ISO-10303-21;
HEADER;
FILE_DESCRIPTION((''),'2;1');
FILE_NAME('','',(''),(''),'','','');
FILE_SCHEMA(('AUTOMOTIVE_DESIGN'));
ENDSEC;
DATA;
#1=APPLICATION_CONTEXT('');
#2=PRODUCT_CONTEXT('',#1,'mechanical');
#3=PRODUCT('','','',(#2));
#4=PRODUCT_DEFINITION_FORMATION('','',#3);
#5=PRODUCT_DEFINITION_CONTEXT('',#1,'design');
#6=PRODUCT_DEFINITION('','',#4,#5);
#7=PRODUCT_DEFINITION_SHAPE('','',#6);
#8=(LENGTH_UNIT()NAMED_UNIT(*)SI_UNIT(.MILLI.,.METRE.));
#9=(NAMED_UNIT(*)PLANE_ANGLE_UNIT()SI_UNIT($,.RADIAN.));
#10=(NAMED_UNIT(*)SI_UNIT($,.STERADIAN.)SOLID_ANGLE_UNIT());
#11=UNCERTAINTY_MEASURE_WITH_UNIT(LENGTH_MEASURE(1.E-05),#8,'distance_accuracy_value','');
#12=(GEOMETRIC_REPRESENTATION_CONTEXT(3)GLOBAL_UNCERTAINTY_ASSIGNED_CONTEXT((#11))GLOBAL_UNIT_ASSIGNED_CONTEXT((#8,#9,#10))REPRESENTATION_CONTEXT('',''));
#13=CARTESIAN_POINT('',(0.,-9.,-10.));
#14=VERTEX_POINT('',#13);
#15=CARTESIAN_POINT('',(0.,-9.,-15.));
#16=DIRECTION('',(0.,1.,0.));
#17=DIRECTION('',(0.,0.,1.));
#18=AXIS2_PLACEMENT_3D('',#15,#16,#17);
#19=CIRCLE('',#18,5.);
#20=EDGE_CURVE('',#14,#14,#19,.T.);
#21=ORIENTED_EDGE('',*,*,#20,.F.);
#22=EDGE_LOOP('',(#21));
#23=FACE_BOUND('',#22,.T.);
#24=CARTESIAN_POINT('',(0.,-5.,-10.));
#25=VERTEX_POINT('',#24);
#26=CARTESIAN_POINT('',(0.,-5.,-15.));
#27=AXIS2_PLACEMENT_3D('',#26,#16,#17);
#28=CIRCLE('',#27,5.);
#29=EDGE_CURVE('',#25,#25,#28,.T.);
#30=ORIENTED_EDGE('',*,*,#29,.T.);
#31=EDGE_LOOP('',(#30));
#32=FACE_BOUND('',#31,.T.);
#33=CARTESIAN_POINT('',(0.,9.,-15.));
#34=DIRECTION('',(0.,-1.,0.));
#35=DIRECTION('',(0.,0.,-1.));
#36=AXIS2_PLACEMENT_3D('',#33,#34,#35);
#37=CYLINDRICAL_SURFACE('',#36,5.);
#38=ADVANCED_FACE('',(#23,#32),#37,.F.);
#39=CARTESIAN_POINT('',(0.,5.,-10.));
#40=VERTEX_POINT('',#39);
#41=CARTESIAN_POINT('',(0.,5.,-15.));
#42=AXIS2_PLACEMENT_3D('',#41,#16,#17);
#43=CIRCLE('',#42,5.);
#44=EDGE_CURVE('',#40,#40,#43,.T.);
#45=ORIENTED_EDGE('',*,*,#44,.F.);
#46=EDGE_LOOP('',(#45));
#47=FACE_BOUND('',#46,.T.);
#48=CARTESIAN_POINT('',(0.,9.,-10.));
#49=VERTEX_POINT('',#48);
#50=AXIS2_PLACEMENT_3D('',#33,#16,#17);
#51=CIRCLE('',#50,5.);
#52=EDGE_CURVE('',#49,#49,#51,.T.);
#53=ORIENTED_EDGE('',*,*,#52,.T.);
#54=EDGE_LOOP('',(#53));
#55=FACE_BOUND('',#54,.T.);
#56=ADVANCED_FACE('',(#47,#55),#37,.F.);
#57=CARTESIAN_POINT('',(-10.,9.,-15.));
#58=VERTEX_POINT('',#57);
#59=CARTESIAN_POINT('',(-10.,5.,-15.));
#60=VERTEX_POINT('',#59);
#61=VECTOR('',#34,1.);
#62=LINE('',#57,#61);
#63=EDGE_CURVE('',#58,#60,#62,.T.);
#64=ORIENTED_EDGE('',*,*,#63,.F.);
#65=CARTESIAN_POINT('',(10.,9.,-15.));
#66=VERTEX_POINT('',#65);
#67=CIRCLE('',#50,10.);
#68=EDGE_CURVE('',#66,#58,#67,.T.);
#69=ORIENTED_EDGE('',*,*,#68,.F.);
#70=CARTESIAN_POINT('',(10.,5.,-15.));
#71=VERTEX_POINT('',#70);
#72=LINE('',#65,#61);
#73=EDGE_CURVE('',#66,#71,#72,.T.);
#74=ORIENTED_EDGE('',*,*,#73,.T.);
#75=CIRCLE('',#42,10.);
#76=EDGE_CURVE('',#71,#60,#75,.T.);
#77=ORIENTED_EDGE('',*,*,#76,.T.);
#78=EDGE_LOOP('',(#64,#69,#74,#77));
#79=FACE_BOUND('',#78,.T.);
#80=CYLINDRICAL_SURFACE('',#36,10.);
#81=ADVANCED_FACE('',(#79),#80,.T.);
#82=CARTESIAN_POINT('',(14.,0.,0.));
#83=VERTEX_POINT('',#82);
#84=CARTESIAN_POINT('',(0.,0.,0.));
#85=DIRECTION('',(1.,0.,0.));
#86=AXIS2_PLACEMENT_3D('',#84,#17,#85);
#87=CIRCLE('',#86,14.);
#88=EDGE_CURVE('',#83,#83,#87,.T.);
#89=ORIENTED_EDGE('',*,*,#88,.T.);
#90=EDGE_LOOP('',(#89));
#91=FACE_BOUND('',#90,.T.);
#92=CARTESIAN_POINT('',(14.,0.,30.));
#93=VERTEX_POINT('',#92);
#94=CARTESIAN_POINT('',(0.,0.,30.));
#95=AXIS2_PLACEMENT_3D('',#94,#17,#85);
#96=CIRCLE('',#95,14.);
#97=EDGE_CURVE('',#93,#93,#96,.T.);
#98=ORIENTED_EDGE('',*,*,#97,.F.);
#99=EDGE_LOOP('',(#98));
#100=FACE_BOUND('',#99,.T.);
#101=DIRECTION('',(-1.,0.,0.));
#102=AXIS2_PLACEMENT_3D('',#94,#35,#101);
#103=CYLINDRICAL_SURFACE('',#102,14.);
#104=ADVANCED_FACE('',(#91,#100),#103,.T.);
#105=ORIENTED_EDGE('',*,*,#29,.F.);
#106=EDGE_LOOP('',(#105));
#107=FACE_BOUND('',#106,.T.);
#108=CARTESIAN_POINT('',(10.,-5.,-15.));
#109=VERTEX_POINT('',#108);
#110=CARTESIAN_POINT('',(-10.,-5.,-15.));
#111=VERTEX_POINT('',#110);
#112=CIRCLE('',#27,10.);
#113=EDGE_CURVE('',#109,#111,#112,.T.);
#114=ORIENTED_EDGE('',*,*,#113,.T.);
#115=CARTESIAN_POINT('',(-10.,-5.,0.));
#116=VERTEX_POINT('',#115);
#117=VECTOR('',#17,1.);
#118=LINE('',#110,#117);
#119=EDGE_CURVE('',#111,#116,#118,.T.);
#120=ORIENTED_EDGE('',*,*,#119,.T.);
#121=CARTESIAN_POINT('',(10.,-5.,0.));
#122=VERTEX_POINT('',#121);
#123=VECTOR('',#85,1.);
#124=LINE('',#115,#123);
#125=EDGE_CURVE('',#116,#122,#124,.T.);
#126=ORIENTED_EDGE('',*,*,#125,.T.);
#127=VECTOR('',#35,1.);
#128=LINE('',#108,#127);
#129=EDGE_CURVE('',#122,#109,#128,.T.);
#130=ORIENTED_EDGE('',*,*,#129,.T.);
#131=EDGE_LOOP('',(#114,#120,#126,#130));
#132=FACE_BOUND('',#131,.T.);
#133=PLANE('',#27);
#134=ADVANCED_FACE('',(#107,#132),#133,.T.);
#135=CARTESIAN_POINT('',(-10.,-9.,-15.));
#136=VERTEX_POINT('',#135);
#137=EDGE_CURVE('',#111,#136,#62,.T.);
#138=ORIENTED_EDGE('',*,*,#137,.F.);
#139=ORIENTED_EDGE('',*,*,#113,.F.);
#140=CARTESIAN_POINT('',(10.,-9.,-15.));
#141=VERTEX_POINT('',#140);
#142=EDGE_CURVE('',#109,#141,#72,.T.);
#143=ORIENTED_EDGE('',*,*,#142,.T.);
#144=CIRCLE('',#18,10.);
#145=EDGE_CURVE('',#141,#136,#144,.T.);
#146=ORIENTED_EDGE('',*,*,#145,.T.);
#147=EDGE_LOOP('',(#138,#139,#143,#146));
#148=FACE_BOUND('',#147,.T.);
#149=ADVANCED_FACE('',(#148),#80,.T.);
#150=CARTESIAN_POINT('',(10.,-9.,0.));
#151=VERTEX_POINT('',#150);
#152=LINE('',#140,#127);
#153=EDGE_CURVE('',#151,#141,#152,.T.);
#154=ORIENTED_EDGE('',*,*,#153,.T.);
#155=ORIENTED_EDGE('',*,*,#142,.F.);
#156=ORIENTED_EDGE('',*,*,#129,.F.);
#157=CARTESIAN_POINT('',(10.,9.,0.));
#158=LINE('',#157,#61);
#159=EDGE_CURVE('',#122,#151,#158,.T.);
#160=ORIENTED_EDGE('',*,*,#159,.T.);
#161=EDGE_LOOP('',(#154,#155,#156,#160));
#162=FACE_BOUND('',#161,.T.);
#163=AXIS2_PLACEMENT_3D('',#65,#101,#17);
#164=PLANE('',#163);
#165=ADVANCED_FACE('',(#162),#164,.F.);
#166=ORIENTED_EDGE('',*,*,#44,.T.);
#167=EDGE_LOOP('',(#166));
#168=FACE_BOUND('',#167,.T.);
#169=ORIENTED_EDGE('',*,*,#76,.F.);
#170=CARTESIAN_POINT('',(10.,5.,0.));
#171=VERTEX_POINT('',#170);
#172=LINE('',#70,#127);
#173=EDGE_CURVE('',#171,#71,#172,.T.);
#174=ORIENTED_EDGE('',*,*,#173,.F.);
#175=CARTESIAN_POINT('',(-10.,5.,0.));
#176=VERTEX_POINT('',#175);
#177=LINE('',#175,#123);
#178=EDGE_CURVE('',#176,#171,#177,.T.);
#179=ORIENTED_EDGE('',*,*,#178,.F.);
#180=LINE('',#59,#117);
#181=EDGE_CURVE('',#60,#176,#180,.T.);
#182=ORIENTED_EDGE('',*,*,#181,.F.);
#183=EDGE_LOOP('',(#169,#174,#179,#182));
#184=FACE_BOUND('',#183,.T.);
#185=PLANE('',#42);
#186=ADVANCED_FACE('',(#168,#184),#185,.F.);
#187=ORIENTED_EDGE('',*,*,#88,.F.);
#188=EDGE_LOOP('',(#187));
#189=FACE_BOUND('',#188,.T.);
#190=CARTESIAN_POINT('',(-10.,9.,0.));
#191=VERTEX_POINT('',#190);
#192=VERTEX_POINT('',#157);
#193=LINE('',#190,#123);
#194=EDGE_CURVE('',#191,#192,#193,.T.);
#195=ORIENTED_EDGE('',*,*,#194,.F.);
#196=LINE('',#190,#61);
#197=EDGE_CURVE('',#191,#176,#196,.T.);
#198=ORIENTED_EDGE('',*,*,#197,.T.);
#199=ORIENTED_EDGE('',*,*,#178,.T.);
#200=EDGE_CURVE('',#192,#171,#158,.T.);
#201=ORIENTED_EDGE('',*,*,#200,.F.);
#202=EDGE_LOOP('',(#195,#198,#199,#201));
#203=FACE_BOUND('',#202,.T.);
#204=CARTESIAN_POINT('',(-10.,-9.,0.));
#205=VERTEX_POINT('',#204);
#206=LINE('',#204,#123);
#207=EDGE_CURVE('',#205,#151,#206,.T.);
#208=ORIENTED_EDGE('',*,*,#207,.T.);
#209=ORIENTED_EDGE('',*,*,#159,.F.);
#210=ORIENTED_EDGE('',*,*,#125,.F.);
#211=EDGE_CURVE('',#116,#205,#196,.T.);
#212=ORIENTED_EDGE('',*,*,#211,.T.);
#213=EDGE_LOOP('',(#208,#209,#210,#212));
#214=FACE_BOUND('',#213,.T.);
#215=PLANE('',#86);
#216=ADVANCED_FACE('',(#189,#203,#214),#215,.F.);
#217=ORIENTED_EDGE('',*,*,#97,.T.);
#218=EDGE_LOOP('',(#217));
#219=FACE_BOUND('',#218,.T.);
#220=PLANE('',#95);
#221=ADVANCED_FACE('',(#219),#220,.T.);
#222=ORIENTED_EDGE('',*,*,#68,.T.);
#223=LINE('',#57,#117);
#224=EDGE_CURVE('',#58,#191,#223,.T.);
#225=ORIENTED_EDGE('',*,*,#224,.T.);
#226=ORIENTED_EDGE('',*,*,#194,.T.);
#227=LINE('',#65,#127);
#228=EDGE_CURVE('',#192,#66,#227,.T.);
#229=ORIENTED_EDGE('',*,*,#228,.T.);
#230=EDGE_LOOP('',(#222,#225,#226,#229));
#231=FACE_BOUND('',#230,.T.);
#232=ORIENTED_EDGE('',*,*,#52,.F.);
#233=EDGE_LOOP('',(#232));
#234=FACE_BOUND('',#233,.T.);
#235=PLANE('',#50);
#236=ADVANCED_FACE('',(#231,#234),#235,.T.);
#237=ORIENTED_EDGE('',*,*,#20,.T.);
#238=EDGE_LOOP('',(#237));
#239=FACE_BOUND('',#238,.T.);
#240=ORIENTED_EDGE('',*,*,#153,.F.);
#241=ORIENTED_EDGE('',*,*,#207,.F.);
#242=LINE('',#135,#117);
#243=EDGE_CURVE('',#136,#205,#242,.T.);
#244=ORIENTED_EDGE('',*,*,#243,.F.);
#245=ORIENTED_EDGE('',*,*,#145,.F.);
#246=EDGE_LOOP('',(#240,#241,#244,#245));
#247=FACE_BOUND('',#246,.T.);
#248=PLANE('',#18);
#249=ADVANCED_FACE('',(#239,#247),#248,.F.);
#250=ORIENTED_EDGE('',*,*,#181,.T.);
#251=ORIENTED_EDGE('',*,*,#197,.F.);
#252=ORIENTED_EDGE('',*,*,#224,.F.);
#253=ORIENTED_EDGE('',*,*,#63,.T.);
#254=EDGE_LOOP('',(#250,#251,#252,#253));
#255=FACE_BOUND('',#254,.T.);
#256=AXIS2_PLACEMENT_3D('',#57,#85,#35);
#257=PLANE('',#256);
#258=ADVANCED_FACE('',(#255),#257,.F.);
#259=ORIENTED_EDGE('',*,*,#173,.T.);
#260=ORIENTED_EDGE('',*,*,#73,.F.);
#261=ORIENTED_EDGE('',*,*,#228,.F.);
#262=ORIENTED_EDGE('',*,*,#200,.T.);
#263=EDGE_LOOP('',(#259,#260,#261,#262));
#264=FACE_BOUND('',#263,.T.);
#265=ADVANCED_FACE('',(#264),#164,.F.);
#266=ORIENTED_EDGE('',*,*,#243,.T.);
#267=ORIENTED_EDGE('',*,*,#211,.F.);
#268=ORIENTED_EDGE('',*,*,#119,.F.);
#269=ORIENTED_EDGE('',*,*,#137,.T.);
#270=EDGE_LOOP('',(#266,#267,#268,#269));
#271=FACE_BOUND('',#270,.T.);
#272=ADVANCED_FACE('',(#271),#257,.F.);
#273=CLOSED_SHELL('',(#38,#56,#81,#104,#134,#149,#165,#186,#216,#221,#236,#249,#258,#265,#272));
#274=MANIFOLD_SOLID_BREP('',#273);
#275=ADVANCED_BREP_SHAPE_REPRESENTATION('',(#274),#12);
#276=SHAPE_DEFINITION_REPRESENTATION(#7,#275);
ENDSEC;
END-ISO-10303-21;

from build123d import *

# Parameters (mm, degrees)
SKETCH_1_R          = 14
EXTRUDE_1_DEPTH     = 30
SKETCH_2_R          = 5
EXTRUDE_2_DEPTH     = 9
SKETCH_2_3_R        = 5
CUT_EXTRUDE_1_DEPTH = 5


with BuildPart() as part:
    # 草图1 → 凸台-拉伸1 (new body)
    with BuildSketch(Plane.XY):
        Circle(SKETCH_1_R)
    extrude(amount=EXTRUDE_1_DEPTH)

    # 草图2 → 凸台-拉伸2 (add, symmetric)
    with BuildSketch(Plane(origin=(0, 0, 0), x_dir=(1, 0, 0), z_dir=(0, 1, 0))):
        with BuildLine():
            Line((10, 15), (10, 0))
            Line((10, 0), (-10, 0))
            Line((-10, 0), (-10, 15))
            ThreePointArc((-10, 15), (0, 25), (10, 15))
        make_face()
        with Locations((0, 15)):
            Circle(SKETCH_2_R, mode=Mode.SUBTRACT)
    extrude(amount=EXTRUDE_2_DEPTH, both=True)

    # 草图2<3> → 切除-拉伸1 (cut, symmetric)
    with BuildSketch(Plane(origin=(0, 0, 0), x_dir=(1, 0, 0), z_dir=(0, 1, 0))):
        with BuildLine():
            Line((10, 15), (10, 0))
            Line((10, 0), (-10, 0))
            Line((-10, 0), (-10, 15))
            ThreePointArc((-10, 15), (0, 25), (10, 15))
        make_face()
        with Locations((0, 15)):
            Circle(SKETCH_2_3_R, mode=Mode.SUBTRACT)
    extrude(amount=CUT_EXTRUDE_1_DEPTH, both=True, mode=Mode.SUBTRACT)


solid = part.part
